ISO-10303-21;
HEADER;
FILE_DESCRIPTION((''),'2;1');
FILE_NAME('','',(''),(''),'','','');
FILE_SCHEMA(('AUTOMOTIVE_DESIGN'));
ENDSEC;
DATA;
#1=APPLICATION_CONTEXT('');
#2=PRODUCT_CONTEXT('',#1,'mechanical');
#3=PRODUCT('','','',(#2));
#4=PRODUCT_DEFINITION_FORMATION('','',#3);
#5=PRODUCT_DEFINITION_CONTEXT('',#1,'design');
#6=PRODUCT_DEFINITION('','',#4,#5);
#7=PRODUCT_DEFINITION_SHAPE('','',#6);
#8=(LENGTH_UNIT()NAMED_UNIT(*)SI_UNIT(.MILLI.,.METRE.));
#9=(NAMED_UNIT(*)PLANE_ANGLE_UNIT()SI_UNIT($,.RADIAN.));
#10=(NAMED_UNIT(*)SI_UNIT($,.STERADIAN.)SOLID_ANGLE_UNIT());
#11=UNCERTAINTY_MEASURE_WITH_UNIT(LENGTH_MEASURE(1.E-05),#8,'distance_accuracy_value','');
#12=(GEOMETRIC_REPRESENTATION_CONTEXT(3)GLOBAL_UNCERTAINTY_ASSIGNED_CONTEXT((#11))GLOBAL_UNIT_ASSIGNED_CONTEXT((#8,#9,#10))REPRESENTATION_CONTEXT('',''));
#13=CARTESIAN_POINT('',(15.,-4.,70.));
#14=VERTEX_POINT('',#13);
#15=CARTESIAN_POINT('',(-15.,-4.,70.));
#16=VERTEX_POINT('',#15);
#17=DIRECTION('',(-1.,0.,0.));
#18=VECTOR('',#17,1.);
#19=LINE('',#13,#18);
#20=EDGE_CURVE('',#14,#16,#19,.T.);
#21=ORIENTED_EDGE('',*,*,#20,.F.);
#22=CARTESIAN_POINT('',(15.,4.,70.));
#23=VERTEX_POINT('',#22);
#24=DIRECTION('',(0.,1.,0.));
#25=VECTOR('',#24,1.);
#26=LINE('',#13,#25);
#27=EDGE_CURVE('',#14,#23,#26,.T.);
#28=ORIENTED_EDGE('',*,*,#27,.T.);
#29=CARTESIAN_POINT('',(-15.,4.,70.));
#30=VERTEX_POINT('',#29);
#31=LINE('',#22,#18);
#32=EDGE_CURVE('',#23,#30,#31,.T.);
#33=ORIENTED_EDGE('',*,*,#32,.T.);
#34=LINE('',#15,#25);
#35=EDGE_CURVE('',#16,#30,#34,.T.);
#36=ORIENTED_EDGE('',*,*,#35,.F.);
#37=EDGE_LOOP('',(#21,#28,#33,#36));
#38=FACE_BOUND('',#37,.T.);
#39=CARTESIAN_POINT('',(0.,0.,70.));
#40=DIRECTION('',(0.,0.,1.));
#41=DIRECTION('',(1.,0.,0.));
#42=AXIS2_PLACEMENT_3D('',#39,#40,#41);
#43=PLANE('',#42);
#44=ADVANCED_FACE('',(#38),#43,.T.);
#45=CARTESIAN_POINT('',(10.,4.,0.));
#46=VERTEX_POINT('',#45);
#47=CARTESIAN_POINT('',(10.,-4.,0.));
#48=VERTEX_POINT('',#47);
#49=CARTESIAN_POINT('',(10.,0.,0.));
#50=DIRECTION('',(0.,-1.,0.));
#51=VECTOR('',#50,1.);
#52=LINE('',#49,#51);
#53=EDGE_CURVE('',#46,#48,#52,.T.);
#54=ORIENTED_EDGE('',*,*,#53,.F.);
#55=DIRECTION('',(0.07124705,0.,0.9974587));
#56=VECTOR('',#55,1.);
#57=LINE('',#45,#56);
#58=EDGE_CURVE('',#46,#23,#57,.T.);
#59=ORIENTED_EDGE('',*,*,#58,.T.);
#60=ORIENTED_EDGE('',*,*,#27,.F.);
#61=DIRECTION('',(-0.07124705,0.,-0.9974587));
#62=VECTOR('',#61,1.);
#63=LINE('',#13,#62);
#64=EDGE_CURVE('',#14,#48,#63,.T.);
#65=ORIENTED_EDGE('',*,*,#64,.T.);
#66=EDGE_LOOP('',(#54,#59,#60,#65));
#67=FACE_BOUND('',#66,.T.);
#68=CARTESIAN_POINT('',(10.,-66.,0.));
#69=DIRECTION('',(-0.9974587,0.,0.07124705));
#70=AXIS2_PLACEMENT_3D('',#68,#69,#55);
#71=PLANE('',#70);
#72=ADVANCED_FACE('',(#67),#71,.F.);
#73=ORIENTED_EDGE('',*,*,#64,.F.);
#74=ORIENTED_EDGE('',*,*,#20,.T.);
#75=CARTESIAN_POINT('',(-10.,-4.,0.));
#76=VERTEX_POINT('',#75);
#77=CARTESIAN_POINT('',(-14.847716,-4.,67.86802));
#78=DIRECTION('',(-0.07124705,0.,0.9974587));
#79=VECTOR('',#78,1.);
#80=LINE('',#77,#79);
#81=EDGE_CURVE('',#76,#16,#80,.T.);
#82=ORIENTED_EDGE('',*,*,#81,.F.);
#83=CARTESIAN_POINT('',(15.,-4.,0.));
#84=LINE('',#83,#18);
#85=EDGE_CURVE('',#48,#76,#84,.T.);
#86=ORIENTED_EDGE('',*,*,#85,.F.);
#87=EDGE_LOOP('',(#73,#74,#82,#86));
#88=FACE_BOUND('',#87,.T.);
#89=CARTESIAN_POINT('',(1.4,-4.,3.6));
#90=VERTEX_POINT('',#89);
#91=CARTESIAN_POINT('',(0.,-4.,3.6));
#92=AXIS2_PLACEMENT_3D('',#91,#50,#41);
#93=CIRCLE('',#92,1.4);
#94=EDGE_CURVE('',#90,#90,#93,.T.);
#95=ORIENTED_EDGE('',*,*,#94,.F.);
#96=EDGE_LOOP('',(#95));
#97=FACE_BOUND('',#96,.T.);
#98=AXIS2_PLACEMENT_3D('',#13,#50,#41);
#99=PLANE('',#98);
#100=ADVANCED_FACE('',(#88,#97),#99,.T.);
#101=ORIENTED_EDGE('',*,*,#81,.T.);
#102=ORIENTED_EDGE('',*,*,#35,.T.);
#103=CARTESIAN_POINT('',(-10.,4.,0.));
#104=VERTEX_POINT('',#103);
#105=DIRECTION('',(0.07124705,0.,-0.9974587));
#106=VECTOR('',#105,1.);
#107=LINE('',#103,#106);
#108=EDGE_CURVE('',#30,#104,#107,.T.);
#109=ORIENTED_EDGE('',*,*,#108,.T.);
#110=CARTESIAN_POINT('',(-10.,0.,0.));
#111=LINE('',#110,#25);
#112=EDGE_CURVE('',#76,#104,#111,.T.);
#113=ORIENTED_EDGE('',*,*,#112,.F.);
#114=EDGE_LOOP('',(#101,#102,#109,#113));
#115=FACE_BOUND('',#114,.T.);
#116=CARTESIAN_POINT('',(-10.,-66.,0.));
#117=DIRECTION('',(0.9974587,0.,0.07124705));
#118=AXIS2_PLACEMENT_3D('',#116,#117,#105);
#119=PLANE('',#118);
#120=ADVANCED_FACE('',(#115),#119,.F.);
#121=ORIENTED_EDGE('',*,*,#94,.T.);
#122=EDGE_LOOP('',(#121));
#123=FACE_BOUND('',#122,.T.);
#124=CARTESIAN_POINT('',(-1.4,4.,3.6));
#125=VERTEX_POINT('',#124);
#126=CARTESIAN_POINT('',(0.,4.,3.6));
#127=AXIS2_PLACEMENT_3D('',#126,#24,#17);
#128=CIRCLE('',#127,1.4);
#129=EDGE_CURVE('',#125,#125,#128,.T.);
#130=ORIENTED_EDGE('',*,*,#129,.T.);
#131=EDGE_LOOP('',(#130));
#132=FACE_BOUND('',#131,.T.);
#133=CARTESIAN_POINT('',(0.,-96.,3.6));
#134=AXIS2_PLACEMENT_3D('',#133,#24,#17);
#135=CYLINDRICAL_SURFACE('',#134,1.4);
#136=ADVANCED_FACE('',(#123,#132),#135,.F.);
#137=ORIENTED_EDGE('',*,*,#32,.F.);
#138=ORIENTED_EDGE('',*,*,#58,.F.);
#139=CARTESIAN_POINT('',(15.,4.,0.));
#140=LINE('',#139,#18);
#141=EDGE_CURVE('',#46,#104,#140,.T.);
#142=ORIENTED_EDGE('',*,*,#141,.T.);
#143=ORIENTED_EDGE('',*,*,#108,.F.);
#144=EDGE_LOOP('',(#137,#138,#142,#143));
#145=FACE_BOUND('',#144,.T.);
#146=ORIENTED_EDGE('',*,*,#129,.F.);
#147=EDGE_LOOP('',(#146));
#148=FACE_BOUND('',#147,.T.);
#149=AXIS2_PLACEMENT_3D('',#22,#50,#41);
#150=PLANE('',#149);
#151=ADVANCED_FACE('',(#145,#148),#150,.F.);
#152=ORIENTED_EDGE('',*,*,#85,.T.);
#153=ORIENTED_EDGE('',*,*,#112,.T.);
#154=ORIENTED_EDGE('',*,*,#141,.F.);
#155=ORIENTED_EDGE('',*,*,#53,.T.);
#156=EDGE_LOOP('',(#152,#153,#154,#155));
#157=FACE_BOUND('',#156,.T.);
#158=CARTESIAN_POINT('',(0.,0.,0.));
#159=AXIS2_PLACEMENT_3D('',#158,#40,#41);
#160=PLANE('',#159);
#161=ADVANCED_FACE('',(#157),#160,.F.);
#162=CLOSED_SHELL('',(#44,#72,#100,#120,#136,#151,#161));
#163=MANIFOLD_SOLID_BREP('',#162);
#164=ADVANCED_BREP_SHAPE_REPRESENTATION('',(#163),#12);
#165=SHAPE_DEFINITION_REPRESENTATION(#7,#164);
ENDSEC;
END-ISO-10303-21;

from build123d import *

# Parameters (mm, degrees)
SKETCH1_W           = 30
SKETCH1_H           = 8
BOSS_EXTRUDE1_DEPTH = 70
CUT_EXTRUDE1_DEPTH  = 70
SKETCH5_R           = 1.4
CUT_EXTRUDE3_DEPTH  = 100


with BuildPart() as part:
    # Sketch1 → Boss-Extrude1 (new body)
    with BuildSketch(Plane.XY):
        Rectangle(SKETCH1_W, SKETCH1_H)
    extrude(amount=BOSS_EXTRUDE1_DEPTH)

    # Sketch4 → Cut-Extrude1 (cut)
    with BuildSketch(Plane(origin=(0, 4, 0), x_dir=(1, 0, 0), z_dir=(0, 1, 0))):
        Polygon((-15, 0), (-10, 0), (-15, -70), align=None)
        Polygon((15, 0), (10, 0), (15, -70), align=None)
    extrude(amount=-CUT_EXTRUDE1_DEPTH, mode=Mode.SUBTRACT)

    # Sketch5 → Cut-Extrude3 (cut)
    with BuildSketch(Plane(origin=(0, 4, 0), x_dir=(1, 0, 0), z_dir=(0, 1, 0))):
        with Locations(Location((0, -3.6, 0), (0, 0, 180))):
            Circle(SKETCH5_R)
    extrude(amount=-CUT_EXTRUDE3_DEPTH, mode=Mode.SUBTRACT)


solid = part.part
